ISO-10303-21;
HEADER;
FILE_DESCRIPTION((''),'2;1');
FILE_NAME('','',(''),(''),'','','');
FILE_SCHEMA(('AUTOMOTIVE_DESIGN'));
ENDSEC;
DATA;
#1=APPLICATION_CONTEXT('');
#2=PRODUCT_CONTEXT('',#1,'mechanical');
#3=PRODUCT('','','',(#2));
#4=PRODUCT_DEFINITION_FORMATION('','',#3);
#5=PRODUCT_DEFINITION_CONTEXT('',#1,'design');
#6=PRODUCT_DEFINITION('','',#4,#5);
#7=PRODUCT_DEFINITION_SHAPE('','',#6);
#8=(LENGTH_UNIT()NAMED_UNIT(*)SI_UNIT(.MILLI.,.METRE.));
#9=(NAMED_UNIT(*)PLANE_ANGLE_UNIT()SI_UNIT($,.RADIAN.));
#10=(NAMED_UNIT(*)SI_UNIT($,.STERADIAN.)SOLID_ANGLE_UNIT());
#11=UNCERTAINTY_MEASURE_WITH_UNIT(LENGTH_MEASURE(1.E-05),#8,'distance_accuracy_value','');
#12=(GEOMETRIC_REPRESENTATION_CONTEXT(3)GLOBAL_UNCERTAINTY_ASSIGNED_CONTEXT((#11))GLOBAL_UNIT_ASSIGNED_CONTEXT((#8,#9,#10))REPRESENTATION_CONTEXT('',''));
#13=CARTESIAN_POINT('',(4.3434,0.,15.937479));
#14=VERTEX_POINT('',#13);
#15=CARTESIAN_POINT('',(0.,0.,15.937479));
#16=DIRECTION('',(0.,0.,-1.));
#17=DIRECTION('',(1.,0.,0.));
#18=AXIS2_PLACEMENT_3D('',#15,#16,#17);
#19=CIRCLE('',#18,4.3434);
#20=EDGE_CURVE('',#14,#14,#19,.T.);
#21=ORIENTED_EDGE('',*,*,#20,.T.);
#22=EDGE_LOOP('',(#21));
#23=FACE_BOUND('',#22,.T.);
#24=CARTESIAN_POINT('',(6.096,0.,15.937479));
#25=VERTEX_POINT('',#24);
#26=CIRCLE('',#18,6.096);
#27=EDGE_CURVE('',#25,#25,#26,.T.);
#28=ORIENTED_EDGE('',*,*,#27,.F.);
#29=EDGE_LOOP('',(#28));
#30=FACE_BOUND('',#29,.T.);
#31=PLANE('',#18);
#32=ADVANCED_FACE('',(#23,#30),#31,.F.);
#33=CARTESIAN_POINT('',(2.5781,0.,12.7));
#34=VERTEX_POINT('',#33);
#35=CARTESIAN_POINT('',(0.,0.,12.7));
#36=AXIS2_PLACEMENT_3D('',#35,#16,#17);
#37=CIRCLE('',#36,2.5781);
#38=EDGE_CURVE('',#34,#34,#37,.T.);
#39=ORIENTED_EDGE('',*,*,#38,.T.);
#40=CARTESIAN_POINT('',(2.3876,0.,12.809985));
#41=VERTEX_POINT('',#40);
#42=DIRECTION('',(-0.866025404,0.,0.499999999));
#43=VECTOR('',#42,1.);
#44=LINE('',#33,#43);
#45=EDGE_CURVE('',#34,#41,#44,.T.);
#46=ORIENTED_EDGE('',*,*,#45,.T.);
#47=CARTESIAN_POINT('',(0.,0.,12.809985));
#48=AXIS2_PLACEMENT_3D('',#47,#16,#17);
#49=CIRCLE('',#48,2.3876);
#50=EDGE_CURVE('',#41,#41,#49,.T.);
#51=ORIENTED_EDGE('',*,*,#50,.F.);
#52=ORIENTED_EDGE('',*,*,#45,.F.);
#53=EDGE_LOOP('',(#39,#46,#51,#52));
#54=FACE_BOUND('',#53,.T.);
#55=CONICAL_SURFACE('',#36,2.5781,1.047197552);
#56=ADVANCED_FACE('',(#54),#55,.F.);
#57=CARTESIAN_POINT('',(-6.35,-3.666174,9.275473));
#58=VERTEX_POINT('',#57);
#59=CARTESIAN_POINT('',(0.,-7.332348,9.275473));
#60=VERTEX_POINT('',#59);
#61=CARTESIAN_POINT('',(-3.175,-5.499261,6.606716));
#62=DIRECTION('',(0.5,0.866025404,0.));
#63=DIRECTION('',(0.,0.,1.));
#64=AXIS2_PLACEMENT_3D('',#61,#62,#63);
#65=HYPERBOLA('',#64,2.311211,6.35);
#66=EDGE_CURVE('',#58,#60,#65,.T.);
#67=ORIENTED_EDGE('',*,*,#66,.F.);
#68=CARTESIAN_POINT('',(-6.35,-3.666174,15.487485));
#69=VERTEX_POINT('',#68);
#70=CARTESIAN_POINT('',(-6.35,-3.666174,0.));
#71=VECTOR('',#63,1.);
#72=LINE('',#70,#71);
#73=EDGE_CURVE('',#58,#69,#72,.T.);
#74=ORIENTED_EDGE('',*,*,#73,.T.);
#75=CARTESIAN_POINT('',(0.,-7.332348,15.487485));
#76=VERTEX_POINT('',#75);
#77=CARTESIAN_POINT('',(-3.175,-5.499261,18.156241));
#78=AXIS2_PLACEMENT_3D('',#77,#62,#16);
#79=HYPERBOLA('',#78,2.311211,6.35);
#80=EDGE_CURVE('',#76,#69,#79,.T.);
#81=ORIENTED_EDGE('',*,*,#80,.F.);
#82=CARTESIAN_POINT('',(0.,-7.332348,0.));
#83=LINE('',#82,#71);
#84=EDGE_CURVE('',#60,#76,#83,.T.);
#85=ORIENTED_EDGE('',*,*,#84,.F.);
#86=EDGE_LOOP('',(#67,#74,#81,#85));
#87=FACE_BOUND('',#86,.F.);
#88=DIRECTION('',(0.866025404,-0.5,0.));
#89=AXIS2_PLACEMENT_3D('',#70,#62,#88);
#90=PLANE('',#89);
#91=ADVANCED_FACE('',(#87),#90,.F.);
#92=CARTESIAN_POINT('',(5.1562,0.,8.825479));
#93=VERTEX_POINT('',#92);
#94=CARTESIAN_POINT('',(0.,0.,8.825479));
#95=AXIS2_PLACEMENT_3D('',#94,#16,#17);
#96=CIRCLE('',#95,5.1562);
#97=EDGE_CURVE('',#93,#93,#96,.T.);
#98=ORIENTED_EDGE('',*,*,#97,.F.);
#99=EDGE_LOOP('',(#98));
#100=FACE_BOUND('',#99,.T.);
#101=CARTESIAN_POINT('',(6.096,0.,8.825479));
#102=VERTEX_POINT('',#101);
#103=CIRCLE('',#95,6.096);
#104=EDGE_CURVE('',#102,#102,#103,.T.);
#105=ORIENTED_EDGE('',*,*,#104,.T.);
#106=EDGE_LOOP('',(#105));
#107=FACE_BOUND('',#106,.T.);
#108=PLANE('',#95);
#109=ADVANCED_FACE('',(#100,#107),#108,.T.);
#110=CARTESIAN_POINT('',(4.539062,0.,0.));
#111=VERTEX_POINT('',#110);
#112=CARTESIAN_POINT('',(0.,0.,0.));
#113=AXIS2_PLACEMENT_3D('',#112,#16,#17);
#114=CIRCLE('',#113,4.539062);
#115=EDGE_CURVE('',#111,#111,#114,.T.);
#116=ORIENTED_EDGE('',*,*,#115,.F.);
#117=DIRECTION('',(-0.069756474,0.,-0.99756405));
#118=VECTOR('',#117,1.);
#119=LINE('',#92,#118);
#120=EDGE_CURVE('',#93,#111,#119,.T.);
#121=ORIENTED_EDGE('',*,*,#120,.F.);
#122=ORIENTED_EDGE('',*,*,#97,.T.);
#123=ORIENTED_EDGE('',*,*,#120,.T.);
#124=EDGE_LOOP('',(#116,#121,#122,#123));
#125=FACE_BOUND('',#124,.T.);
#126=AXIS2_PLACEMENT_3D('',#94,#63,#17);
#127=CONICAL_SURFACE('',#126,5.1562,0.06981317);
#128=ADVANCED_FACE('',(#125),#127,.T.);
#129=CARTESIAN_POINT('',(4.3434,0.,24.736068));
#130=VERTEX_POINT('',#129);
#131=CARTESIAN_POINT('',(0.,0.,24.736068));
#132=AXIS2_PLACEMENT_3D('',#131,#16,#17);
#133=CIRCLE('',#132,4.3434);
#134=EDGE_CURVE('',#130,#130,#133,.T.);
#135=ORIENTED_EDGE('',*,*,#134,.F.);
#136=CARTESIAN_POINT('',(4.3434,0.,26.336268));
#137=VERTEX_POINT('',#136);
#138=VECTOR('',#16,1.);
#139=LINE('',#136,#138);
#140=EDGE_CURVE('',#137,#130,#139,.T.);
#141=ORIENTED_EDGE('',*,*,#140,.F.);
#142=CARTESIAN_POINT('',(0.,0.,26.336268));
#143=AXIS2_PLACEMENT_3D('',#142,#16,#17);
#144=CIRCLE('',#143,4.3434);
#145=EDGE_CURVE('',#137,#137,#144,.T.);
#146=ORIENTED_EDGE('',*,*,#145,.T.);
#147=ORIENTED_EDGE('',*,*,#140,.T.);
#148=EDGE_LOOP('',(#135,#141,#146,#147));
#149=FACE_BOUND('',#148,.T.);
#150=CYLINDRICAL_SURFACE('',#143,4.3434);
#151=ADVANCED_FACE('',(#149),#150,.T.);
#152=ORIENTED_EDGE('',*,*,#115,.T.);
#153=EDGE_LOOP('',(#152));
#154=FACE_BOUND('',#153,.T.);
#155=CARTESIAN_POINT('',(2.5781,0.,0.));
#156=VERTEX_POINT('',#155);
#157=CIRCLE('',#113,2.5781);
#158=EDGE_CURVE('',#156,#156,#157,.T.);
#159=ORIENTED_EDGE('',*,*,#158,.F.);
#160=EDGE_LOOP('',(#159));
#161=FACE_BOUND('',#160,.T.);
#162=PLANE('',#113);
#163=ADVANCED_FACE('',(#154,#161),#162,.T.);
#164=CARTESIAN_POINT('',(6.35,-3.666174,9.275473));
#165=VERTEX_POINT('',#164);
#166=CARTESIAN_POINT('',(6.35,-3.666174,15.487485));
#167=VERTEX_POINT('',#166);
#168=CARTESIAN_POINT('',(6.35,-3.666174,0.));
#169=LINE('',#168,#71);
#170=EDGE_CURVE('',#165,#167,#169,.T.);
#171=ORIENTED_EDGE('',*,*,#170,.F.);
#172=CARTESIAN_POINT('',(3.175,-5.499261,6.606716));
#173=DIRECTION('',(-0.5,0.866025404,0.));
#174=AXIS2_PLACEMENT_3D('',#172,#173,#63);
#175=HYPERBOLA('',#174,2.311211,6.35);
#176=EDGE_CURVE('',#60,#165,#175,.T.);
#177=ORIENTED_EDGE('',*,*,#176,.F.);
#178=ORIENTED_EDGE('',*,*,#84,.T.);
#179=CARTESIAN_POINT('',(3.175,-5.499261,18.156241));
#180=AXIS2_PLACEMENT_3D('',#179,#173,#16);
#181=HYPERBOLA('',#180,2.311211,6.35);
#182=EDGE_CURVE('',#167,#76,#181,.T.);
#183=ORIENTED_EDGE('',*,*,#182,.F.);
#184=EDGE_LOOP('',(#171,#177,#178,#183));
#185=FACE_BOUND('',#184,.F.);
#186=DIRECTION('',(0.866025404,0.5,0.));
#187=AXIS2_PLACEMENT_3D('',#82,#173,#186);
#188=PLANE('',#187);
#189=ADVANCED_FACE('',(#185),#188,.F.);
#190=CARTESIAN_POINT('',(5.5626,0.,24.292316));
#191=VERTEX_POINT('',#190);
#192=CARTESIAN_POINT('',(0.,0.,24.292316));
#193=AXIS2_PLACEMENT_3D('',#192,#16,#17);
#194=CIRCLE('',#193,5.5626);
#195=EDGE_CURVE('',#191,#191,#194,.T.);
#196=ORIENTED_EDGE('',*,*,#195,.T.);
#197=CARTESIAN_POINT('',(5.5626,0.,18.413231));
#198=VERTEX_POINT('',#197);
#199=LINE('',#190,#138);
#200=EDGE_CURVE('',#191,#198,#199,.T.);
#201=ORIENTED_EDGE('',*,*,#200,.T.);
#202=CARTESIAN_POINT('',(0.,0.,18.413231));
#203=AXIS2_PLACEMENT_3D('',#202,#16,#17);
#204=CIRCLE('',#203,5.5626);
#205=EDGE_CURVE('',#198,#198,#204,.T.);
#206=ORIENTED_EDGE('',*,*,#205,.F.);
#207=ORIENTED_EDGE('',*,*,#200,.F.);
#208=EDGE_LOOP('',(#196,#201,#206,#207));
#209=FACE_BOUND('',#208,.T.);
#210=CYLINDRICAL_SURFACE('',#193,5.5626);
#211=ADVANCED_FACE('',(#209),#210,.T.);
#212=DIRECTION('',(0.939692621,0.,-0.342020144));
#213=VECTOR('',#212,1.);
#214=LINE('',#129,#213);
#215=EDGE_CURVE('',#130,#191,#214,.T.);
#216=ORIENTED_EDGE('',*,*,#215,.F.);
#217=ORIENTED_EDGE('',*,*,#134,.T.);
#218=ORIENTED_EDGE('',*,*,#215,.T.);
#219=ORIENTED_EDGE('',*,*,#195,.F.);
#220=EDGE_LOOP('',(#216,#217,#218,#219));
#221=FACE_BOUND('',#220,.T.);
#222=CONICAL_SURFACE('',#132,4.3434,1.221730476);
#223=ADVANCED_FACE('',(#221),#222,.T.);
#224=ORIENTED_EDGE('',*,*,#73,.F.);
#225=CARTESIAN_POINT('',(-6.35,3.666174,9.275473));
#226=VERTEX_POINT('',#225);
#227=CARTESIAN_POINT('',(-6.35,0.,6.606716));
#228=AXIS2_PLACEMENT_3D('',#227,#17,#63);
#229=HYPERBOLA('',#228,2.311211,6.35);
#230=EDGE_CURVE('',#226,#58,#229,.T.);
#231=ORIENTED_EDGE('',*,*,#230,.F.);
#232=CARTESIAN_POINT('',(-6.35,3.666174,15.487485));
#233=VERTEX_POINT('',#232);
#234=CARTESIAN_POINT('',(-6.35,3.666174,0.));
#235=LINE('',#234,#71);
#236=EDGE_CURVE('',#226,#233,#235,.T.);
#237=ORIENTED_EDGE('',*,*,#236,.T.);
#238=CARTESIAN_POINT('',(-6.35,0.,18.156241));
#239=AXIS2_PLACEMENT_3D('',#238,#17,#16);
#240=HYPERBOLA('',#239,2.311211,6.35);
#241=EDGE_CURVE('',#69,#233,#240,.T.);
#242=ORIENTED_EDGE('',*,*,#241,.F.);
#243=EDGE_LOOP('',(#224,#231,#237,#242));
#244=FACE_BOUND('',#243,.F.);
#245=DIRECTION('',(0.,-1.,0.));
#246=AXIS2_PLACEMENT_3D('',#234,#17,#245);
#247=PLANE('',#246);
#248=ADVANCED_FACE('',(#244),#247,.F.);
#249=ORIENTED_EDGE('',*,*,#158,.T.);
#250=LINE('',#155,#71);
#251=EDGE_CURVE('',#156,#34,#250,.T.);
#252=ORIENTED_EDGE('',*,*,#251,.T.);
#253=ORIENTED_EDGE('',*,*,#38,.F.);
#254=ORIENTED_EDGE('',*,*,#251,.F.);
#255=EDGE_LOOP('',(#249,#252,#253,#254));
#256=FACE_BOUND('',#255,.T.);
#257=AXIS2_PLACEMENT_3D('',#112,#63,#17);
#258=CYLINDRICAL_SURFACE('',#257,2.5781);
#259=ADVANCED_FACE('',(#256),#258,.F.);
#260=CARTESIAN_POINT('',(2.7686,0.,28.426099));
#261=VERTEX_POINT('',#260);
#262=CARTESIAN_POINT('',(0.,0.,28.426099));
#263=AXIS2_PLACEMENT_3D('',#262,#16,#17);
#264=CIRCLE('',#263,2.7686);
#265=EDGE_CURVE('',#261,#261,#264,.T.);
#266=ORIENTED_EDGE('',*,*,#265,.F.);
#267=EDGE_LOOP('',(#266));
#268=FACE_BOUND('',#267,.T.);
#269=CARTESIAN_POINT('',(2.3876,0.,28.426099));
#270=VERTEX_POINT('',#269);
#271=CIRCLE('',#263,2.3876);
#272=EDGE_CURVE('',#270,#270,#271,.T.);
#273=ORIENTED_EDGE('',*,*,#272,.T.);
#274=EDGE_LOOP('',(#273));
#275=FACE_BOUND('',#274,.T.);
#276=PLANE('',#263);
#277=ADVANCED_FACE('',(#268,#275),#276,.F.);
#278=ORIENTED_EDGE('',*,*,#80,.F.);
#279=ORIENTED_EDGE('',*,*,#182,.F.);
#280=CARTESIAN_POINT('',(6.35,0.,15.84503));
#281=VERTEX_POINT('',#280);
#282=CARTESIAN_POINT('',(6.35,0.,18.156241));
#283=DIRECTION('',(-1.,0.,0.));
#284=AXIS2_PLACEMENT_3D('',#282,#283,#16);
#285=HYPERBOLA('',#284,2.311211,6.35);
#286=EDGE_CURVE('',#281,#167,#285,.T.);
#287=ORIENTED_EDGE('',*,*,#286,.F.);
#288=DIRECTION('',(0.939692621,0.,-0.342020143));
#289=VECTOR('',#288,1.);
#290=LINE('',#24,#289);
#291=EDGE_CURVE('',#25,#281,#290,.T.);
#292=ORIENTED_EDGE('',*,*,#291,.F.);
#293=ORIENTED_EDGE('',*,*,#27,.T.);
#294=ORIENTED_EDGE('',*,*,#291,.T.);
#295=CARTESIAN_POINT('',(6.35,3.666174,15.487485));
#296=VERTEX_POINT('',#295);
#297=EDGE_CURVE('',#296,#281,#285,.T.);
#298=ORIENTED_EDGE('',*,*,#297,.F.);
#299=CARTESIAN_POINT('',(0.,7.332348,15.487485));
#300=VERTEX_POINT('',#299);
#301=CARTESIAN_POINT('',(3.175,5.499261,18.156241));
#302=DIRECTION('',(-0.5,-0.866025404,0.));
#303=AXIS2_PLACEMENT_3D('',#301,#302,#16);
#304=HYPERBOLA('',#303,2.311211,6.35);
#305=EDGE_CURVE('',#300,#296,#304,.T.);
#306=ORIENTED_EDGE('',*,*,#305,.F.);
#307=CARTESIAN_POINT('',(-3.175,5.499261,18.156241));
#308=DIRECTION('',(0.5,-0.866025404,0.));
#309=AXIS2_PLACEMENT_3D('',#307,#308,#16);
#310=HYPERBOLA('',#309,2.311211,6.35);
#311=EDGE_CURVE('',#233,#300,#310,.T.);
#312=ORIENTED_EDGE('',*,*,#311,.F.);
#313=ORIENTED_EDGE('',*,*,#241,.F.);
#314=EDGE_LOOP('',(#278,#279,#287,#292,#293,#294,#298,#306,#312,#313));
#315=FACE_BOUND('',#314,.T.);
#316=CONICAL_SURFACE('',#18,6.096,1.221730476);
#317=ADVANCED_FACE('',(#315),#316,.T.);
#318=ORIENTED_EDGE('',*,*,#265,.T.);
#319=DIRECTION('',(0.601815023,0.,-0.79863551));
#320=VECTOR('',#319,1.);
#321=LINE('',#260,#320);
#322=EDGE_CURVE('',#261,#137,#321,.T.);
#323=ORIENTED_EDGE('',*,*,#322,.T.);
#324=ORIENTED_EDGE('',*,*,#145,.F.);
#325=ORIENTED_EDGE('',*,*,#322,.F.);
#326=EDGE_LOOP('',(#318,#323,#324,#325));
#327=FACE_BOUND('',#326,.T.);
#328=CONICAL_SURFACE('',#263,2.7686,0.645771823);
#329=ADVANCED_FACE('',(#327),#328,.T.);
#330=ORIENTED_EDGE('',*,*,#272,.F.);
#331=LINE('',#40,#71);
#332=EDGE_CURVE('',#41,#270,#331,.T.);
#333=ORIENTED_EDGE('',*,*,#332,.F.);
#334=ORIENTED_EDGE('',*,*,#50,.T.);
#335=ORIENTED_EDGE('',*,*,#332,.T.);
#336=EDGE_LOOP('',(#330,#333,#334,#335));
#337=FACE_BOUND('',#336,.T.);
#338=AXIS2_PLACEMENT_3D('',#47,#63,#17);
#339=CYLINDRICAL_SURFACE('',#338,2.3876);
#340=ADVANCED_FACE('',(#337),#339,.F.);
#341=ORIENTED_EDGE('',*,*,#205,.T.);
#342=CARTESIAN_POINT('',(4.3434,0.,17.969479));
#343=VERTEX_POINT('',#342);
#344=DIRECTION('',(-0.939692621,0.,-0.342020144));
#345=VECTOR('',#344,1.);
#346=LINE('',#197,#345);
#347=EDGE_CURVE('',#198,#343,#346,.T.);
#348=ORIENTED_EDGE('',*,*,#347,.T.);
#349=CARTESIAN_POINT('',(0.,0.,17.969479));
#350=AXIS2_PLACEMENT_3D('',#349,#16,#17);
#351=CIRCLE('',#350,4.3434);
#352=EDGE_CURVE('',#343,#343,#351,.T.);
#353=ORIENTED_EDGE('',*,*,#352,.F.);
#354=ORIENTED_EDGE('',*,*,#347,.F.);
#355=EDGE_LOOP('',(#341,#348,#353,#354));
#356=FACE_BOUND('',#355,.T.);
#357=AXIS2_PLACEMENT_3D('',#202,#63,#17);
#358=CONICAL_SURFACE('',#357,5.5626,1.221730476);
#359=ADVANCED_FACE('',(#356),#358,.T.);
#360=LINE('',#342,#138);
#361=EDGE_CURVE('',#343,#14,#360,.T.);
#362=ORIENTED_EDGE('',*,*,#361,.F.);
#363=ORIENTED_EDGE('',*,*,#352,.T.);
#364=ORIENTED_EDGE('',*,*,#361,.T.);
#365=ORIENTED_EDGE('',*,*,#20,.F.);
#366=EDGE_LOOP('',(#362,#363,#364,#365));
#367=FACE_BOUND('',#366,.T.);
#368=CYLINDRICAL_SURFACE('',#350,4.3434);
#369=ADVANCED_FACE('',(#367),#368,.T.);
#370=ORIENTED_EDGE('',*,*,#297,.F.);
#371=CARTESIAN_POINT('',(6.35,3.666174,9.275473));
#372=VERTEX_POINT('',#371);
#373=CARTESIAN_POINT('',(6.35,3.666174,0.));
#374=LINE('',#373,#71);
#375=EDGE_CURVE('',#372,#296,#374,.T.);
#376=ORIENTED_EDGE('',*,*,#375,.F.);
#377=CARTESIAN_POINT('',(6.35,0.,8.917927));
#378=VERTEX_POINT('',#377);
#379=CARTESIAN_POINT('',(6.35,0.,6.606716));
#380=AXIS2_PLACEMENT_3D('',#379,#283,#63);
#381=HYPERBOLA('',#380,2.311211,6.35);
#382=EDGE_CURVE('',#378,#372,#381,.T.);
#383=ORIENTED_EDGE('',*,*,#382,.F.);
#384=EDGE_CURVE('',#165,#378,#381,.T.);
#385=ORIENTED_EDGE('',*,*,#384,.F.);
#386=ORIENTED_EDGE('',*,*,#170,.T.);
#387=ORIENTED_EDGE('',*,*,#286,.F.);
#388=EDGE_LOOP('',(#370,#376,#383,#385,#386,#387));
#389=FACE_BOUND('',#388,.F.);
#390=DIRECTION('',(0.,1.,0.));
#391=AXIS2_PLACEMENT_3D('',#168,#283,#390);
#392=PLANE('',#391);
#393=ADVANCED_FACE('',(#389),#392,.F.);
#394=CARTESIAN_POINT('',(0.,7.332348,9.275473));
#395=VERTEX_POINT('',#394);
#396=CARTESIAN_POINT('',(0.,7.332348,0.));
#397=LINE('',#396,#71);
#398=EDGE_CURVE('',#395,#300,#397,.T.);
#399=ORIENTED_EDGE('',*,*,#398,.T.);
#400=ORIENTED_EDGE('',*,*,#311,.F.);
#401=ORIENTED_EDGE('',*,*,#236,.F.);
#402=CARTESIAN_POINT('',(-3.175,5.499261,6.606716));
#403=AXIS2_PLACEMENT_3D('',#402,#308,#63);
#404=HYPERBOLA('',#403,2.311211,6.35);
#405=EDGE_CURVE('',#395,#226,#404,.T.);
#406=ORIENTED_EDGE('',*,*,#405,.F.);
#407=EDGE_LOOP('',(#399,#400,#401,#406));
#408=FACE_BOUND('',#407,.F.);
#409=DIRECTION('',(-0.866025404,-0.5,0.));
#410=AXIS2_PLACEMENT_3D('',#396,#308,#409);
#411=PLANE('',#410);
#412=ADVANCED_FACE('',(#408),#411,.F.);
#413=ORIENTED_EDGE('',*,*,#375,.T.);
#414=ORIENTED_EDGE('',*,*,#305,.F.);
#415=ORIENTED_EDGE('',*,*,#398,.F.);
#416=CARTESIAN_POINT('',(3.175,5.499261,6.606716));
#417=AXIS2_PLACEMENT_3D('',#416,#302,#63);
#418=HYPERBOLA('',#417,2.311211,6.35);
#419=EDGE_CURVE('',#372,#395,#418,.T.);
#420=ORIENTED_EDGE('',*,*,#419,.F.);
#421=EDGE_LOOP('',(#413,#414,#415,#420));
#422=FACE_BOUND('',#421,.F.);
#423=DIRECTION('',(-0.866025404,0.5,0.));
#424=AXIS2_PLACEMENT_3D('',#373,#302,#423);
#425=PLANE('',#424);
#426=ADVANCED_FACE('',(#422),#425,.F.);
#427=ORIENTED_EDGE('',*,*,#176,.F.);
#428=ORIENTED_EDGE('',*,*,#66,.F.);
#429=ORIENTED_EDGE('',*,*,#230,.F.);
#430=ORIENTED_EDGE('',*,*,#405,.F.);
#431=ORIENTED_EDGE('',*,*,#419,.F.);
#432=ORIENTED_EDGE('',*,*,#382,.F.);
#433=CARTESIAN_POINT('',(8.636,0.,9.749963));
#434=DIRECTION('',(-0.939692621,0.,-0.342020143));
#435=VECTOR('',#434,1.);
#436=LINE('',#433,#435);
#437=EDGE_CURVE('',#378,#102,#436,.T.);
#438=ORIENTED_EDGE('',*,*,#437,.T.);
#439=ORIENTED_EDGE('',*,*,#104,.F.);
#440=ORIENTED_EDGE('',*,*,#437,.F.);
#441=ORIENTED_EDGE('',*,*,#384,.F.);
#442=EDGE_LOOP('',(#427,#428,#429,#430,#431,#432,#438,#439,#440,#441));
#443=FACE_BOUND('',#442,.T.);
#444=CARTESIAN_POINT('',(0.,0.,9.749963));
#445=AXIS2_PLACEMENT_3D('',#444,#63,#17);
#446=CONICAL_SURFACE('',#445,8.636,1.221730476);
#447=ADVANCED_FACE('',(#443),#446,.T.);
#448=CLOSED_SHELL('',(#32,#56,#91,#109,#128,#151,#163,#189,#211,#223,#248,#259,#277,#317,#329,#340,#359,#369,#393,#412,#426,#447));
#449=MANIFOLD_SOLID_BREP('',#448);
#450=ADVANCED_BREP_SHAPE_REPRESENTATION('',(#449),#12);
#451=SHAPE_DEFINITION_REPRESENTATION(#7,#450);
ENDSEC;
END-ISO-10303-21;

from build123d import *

# Parameters (mm, degrees)
SKETCH2_OUTSIDE_W  = 26.768
SKETCH2_OUTSIDE_H  = 26.768
CUT_EXTRUDE1_DEPTH = 31.938714767


with BuildPart() as part:
    # Sketch1 → Revolve1 (revolve)
    with BuildSketch(Plane(origin=(0, 0, 0), x_dir=(0, 0, -1), z_dir=(1, 0, 0)), mode=Mode.PRIVATE) as revolve1_sk:
        Polygon((-12.809985226, 2.3876), (-28.426098562, 2.3876), (-28.426098562, 2.7686), (-26.336268377, 4.3434), (-24.736068377, 4.3434), (-24.292315867, 5.5626), (-18.413231404, 5.5626), (-17.969478894, 4.3434), (-15.937478894, 4.3434), (-15.937478894, 6.096), (-15.012994499, 8.636), (-9.749963289, 8.636), (-8.825478894, 6.096), (-8.825478894, 5.1562), (0, 4.539062397), (0, 2.5781), (-12.7, 2.5781), align=None)
    revolve(revolve1_sk.sketch.rotate(Axis((0, 0, -2.001994087), (0, 0, -1)), 90), axis=Axis((0, 0, -2.001994087), (0, 0, -1)))

    # Sketch2 outside → Cut-Extrude1 (cut, through all)
    with BuildSketch(Plane.XY):
        Rectangle(SKETCH2_OUTSIDE_W, SKETCH2_OUTSIDE_H)
        Polygon((0, 7.332348419), (-6.35, 3.666174209), (-6.35, -3.666174209), (0, -7.332348419), (6.35, -3.666174209), (6.35, 3.666174209), align=None, mode=Mode.SUBTRACT)
    extrude(amount=CUT_EXTRUDE1_DEPTH, mode=Mode.SUBTRACT)


solid = part.part
